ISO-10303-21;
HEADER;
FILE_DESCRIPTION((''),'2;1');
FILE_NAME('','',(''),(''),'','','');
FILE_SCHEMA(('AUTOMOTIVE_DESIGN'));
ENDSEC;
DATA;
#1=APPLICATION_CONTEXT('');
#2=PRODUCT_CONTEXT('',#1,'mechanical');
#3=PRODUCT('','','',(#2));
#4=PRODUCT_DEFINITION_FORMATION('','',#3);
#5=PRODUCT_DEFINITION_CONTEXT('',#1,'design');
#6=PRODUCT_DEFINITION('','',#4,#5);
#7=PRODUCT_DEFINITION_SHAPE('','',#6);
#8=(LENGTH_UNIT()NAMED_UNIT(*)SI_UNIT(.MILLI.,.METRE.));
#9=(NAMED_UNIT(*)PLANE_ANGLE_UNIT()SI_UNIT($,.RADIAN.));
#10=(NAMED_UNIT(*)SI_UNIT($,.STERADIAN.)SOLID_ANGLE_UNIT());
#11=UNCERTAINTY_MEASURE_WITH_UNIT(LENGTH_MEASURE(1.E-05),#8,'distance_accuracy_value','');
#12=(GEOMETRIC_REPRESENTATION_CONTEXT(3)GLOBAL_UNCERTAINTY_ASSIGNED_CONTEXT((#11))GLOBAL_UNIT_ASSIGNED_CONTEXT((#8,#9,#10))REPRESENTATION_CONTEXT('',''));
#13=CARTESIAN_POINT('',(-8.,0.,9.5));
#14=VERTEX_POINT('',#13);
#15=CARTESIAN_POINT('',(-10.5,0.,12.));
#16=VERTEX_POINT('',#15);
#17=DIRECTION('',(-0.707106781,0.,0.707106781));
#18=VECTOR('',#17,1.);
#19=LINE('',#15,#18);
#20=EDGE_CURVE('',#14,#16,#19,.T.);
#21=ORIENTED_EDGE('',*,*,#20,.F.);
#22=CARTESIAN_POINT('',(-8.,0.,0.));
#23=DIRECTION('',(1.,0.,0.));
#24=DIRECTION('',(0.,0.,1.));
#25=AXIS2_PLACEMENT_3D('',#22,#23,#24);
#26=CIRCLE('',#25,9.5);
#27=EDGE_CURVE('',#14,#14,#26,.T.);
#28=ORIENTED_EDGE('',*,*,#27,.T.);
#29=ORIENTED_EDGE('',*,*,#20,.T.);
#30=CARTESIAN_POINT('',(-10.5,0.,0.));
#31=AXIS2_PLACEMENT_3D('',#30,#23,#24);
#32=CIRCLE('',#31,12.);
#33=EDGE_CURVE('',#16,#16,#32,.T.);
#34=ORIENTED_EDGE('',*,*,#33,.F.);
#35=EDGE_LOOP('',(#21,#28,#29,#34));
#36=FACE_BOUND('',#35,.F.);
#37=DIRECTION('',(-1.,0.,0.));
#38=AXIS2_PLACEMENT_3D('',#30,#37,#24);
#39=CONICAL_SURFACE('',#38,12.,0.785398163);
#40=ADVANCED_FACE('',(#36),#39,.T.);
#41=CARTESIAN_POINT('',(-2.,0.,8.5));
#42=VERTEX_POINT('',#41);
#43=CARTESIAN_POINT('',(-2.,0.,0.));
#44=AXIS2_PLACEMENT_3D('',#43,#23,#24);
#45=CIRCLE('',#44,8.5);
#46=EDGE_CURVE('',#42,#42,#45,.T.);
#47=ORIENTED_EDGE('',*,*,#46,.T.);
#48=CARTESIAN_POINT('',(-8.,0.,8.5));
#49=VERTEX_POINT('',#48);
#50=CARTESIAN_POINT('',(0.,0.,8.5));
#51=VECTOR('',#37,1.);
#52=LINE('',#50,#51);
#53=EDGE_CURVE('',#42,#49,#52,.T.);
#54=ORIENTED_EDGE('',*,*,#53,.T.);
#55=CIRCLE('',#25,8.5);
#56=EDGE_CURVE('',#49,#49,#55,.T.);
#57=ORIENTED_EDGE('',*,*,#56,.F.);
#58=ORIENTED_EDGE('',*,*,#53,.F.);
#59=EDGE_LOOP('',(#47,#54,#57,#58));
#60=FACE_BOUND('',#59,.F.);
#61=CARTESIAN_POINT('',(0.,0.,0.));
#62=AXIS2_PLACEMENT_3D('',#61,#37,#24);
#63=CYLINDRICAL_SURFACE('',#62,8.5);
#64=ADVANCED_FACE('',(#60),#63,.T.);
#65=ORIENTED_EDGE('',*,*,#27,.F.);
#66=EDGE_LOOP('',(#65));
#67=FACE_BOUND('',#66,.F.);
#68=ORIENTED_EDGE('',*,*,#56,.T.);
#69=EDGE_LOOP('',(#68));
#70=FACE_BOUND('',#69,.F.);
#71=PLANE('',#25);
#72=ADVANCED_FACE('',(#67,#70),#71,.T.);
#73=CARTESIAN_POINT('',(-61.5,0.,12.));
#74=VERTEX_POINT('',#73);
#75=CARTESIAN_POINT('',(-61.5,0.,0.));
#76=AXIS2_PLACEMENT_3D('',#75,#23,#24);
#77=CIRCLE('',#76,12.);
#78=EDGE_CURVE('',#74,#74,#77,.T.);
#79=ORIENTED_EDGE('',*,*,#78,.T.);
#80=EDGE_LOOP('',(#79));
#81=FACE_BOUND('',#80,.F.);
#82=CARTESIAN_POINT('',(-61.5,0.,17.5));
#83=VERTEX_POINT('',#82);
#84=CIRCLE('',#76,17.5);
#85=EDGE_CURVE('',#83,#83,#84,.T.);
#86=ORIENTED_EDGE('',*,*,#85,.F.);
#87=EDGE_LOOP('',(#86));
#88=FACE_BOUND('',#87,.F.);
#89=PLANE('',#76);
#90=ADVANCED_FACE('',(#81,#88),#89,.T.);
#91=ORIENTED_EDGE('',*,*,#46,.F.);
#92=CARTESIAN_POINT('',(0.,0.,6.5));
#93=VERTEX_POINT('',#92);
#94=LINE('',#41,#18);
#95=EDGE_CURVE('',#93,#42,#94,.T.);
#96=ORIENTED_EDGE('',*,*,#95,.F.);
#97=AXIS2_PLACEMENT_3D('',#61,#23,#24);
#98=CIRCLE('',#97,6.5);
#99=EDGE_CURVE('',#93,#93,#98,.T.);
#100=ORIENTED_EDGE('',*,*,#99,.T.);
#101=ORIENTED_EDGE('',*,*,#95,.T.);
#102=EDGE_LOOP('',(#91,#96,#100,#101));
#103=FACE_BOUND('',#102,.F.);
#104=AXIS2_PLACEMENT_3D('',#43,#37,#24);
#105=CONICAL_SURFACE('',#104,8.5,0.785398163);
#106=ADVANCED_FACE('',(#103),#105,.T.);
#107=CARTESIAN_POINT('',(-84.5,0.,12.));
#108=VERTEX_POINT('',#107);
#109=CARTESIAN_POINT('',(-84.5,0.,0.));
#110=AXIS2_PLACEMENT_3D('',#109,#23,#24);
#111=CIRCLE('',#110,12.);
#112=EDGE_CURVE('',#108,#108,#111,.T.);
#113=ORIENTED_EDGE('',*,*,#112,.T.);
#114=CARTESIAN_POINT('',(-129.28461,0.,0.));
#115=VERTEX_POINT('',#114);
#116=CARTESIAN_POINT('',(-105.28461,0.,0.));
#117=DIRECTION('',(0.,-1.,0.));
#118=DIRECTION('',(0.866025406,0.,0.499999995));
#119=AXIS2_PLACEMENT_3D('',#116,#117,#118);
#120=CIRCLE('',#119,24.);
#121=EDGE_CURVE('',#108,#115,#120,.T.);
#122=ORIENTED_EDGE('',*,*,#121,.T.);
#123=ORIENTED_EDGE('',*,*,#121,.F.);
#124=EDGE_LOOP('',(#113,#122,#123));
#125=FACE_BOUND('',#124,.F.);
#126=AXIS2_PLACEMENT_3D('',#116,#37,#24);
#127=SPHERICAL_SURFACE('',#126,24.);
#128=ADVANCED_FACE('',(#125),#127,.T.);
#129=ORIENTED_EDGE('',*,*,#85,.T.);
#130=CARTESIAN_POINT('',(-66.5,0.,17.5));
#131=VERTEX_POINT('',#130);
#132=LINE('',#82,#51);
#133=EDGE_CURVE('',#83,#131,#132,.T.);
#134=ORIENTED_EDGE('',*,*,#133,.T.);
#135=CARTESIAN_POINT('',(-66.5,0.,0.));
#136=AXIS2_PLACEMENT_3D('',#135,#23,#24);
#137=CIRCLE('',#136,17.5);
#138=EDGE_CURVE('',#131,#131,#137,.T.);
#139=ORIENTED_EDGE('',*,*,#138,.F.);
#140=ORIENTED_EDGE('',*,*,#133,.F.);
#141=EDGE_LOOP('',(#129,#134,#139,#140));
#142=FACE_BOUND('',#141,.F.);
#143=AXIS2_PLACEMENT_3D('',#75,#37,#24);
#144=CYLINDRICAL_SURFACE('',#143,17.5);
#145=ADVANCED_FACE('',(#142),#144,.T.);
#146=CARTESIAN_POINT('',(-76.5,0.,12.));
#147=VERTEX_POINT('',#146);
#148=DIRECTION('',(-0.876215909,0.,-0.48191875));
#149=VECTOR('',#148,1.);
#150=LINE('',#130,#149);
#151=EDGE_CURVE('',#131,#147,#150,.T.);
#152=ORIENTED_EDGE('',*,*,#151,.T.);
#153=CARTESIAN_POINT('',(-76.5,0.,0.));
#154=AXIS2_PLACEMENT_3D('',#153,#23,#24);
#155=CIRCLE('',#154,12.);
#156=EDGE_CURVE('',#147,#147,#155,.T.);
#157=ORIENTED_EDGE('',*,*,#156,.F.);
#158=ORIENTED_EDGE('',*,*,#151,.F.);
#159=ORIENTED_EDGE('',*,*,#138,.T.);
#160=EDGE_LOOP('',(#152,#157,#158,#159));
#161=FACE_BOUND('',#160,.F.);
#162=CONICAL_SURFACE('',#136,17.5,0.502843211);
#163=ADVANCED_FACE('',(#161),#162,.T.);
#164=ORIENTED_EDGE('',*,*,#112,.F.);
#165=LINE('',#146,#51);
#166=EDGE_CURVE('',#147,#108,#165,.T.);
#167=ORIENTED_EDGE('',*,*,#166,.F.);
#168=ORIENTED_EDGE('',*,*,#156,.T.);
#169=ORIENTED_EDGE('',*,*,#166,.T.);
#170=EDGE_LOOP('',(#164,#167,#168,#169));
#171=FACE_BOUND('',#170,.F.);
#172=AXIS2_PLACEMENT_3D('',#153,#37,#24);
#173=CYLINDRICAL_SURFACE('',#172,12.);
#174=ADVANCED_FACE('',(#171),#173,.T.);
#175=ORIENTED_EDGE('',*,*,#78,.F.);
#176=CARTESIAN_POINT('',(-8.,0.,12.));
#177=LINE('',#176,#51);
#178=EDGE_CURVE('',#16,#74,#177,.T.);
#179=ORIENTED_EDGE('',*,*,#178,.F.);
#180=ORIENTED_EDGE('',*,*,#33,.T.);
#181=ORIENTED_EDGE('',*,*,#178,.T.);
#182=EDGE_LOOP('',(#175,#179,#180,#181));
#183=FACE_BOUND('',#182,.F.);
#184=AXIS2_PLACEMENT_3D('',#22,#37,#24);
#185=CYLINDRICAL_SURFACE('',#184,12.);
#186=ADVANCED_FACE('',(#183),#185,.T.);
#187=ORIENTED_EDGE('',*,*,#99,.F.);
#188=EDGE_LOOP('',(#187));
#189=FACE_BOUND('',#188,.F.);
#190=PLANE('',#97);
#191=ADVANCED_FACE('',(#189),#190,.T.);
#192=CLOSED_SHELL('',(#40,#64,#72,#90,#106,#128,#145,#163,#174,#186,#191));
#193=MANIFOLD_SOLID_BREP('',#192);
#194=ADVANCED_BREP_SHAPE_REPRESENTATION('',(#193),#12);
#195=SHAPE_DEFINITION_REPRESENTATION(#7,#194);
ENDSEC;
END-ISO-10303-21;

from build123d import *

# Parameters (mm, degrees)
F2_SIZE2 = 2
F2_SIZE  = 2
F3_SIZE2 = 2.5
F3_SIZE  = 2.5


with BuildPart() as f1:
    # F0 (on Front) → F1 (revolve)
    with BuildSketch(Plane.XZ):
        with BuildLine():
            Line((-129.28461, 0), (0, 0))
            Line((0, 0), (0, 8.5))
            Line((0, 8.5), (-8, 8.5))
            Line((-8, 8.5), (-8, 12))
            Line((-8, 12), (-61.5, 12))
            Line((-61.5, 12), (-61.5, 17.5))
            Line((-61.5, 17.5), (-66.5, 17.5))
            Line((-66.5, 17.5), (-76.5, 12))
            Line((-76.5, 12), (-84.5, 12))
            ThreePointArc((-84.5, 12), (-111.496267, 23.18222), (-129.28461, 0))
        make_face()
    revolve(axis=Axis((-64.642305, 0, 0), (1, 0, 0)))

    # F2
    f2_edges = [f1.edges().sort_by_distance(p)[0] for p in [
        (0, 0, -8.5),
    ]]
    chamfer(f2_edges, length=F2_SIZE, length2=F2_SIZE2)

    # F3
    f3_edges = [f1.edges().sort_by_distance(p)[0] for p in [
        (-8, 0, -12),
    ]]
    chamfer(f3_edges, length=F3_SIZE, length2=F3_SIZE2)


solid = f1.part
